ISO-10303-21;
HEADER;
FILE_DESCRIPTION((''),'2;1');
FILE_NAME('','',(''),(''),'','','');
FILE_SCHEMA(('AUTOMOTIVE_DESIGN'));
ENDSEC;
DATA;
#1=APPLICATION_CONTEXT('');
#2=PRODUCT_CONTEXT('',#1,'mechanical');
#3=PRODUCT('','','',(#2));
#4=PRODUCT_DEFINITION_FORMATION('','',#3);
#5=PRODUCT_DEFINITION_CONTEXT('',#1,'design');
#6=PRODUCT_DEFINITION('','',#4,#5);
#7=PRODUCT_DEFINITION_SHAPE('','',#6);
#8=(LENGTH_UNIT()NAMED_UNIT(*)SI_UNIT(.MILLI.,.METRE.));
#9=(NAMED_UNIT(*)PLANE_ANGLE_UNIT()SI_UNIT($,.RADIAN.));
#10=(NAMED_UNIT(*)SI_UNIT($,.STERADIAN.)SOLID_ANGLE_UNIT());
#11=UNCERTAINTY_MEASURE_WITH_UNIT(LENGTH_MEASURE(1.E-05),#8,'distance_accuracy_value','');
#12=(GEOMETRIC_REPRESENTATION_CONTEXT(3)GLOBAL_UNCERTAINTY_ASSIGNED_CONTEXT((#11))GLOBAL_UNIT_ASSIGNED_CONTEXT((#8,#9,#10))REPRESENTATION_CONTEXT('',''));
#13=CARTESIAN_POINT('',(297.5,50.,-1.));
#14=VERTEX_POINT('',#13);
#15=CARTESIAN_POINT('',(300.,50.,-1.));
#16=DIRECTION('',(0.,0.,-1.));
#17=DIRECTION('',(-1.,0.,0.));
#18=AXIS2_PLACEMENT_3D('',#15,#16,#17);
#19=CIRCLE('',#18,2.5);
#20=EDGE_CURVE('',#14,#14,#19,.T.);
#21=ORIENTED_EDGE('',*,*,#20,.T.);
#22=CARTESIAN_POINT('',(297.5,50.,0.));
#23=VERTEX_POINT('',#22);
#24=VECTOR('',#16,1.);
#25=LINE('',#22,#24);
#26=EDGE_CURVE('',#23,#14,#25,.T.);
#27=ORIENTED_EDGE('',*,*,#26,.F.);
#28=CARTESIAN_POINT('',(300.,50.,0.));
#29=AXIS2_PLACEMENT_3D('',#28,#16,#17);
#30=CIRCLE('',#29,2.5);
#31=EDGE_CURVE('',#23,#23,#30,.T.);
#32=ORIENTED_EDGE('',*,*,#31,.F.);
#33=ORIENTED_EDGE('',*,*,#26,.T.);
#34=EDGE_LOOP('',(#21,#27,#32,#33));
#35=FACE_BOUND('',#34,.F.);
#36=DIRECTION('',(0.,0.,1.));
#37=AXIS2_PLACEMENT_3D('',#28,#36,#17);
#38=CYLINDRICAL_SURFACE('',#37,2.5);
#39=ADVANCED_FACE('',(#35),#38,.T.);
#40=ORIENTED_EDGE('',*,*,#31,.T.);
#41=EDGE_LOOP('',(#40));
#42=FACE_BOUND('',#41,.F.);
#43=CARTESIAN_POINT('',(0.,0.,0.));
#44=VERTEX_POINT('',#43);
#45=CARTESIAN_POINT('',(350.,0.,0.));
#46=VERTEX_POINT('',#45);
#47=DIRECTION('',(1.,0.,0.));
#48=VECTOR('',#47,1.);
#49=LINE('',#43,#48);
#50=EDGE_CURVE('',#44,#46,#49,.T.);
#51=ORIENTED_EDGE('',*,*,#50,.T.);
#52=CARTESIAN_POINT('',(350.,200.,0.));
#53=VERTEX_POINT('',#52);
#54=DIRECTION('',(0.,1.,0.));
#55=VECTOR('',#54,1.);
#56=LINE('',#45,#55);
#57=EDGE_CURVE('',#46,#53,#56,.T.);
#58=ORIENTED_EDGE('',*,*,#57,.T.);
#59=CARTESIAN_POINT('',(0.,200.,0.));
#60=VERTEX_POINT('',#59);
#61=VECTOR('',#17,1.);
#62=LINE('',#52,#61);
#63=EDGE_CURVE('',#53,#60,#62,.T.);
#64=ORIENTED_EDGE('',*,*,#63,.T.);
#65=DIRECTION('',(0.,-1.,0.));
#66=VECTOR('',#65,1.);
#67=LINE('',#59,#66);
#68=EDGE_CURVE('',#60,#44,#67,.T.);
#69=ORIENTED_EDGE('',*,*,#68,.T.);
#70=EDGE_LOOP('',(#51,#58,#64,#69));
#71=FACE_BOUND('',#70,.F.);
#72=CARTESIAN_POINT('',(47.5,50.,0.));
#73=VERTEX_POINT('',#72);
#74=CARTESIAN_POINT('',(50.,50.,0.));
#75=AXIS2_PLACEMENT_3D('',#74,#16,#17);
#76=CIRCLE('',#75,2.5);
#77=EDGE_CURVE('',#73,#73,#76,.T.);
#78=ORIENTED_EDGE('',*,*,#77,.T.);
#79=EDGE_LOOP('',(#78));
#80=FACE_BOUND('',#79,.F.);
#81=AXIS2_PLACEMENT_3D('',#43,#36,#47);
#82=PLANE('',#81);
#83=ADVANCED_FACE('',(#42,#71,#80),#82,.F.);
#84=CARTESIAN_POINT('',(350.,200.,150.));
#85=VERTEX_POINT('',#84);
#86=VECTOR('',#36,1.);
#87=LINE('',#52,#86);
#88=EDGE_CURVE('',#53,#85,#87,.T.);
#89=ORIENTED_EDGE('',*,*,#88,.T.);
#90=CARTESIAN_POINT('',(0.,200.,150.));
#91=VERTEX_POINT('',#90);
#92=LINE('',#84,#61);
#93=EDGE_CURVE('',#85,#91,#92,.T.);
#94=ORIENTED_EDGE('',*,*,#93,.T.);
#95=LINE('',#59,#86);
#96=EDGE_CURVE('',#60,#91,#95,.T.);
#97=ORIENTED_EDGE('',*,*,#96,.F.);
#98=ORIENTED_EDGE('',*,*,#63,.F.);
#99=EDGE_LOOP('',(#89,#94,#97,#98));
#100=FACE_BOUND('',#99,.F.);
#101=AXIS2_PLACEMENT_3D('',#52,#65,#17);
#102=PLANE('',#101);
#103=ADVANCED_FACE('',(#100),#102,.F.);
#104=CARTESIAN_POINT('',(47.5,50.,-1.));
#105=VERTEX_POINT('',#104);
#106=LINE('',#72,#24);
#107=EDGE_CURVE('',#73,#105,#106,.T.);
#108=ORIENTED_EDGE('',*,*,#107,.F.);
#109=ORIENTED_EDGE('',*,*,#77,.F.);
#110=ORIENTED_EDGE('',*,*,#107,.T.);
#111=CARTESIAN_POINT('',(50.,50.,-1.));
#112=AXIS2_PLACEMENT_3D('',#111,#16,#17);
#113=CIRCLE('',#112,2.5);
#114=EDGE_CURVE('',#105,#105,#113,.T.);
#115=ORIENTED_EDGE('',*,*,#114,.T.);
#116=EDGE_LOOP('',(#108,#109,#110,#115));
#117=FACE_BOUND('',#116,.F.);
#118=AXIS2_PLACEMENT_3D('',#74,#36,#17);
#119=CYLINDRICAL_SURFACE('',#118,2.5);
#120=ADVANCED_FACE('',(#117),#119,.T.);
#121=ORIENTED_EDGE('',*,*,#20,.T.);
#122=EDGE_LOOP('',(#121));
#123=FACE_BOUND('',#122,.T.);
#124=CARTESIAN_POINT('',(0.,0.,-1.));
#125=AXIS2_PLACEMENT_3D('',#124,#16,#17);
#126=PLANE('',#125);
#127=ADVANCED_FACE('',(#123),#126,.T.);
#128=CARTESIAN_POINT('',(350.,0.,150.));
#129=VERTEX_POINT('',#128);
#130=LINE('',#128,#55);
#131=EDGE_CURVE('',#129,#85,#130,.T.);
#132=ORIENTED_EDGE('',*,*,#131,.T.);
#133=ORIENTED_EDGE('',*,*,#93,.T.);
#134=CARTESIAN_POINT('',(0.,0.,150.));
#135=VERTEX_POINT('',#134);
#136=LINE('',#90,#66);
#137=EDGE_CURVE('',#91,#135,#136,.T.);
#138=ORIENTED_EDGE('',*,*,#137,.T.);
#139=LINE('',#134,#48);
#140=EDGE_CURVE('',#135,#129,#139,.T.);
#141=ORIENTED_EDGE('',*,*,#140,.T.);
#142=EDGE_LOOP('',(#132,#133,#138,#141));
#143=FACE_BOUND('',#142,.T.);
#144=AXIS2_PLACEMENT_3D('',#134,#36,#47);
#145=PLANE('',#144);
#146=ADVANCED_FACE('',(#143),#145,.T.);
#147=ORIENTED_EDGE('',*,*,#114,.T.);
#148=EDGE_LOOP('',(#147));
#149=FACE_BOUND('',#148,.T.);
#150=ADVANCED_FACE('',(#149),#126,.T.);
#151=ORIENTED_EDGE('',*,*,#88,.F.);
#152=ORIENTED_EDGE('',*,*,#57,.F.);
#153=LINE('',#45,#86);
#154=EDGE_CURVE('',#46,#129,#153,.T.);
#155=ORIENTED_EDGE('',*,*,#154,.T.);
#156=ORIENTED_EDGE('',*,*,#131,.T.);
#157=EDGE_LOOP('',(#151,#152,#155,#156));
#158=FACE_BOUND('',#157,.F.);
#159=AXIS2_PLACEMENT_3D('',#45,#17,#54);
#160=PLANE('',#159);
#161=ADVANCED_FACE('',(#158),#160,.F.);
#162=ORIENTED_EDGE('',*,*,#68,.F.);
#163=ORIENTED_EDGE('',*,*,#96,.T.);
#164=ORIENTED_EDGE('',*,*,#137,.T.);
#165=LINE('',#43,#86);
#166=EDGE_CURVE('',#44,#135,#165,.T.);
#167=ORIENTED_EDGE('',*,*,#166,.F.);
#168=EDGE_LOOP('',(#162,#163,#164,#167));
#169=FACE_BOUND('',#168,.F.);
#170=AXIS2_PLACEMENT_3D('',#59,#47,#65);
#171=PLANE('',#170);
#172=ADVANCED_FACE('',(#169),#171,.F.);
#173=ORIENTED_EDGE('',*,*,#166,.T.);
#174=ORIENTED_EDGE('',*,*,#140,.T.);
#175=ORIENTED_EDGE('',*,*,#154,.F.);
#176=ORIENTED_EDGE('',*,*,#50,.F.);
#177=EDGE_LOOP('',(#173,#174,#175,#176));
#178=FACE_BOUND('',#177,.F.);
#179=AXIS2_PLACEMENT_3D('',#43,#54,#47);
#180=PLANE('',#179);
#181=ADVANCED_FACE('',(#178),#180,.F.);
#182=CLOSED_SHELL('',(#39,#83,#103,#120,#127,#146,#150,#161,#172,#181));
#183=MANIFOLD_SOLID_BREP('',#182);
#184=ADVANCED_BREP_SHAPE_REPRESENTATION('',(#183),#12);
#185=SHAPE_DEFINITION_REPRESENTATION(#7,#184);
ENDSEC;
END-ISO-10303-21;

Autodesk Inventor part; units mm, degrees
ref_plane "YZ Plane" through (0, 0, 0) normal (1, 0, 0) x (0, 1, 0)
ref_plane "XZ Plane" through (0, 0, 0) normal (0, 1, 0) x (-1, 0, 0)
ref_plane "XY Plane" through (0, 0, 0) normal (0, 0, 1) x (1, 0, 0)
sketch "スケッチ1" plane through (0, 0, 0) normal (0, 0, 1) x (1, 0, 0)
  line L0 (0, 0) -> (350, 0)
  line L1 (350, 0) -> (350, 200)
  line L2 (350, 200) -> (0, 200)
  line L3 (0, 200) -> (0, 0)
  dimension "d0" = 350
  dimension "d1" = 200
extrude "押し出し1" add sketch "スケッチ1" along normal blind 150
sketch "スケッチ2" plane through (0, 0, 0) normal (0, 0, -1) x (-1, 0, 0)
  circle A0 centre (-300, 50) radius 2.5
  circle A1 centre (-50, 50) radius 2.5
  line L0 (0, 0) -> (-350, 0) projected
  line L1 (-350, 0) -> (-350, 200) projected
  dimension "d4" = 50
  dimension "d5" = 50
  dimension "d6" = 250
  dimension "d7" = 50
  dimension "d8" = 5
  dimension "d9" = 5
extrude "押し出し2" add sketch "スケッチ2" along normal blind 1
equation "\"d5\" = d4"
equation "\"d9\" = d8"
properties part number "bearing_10"
